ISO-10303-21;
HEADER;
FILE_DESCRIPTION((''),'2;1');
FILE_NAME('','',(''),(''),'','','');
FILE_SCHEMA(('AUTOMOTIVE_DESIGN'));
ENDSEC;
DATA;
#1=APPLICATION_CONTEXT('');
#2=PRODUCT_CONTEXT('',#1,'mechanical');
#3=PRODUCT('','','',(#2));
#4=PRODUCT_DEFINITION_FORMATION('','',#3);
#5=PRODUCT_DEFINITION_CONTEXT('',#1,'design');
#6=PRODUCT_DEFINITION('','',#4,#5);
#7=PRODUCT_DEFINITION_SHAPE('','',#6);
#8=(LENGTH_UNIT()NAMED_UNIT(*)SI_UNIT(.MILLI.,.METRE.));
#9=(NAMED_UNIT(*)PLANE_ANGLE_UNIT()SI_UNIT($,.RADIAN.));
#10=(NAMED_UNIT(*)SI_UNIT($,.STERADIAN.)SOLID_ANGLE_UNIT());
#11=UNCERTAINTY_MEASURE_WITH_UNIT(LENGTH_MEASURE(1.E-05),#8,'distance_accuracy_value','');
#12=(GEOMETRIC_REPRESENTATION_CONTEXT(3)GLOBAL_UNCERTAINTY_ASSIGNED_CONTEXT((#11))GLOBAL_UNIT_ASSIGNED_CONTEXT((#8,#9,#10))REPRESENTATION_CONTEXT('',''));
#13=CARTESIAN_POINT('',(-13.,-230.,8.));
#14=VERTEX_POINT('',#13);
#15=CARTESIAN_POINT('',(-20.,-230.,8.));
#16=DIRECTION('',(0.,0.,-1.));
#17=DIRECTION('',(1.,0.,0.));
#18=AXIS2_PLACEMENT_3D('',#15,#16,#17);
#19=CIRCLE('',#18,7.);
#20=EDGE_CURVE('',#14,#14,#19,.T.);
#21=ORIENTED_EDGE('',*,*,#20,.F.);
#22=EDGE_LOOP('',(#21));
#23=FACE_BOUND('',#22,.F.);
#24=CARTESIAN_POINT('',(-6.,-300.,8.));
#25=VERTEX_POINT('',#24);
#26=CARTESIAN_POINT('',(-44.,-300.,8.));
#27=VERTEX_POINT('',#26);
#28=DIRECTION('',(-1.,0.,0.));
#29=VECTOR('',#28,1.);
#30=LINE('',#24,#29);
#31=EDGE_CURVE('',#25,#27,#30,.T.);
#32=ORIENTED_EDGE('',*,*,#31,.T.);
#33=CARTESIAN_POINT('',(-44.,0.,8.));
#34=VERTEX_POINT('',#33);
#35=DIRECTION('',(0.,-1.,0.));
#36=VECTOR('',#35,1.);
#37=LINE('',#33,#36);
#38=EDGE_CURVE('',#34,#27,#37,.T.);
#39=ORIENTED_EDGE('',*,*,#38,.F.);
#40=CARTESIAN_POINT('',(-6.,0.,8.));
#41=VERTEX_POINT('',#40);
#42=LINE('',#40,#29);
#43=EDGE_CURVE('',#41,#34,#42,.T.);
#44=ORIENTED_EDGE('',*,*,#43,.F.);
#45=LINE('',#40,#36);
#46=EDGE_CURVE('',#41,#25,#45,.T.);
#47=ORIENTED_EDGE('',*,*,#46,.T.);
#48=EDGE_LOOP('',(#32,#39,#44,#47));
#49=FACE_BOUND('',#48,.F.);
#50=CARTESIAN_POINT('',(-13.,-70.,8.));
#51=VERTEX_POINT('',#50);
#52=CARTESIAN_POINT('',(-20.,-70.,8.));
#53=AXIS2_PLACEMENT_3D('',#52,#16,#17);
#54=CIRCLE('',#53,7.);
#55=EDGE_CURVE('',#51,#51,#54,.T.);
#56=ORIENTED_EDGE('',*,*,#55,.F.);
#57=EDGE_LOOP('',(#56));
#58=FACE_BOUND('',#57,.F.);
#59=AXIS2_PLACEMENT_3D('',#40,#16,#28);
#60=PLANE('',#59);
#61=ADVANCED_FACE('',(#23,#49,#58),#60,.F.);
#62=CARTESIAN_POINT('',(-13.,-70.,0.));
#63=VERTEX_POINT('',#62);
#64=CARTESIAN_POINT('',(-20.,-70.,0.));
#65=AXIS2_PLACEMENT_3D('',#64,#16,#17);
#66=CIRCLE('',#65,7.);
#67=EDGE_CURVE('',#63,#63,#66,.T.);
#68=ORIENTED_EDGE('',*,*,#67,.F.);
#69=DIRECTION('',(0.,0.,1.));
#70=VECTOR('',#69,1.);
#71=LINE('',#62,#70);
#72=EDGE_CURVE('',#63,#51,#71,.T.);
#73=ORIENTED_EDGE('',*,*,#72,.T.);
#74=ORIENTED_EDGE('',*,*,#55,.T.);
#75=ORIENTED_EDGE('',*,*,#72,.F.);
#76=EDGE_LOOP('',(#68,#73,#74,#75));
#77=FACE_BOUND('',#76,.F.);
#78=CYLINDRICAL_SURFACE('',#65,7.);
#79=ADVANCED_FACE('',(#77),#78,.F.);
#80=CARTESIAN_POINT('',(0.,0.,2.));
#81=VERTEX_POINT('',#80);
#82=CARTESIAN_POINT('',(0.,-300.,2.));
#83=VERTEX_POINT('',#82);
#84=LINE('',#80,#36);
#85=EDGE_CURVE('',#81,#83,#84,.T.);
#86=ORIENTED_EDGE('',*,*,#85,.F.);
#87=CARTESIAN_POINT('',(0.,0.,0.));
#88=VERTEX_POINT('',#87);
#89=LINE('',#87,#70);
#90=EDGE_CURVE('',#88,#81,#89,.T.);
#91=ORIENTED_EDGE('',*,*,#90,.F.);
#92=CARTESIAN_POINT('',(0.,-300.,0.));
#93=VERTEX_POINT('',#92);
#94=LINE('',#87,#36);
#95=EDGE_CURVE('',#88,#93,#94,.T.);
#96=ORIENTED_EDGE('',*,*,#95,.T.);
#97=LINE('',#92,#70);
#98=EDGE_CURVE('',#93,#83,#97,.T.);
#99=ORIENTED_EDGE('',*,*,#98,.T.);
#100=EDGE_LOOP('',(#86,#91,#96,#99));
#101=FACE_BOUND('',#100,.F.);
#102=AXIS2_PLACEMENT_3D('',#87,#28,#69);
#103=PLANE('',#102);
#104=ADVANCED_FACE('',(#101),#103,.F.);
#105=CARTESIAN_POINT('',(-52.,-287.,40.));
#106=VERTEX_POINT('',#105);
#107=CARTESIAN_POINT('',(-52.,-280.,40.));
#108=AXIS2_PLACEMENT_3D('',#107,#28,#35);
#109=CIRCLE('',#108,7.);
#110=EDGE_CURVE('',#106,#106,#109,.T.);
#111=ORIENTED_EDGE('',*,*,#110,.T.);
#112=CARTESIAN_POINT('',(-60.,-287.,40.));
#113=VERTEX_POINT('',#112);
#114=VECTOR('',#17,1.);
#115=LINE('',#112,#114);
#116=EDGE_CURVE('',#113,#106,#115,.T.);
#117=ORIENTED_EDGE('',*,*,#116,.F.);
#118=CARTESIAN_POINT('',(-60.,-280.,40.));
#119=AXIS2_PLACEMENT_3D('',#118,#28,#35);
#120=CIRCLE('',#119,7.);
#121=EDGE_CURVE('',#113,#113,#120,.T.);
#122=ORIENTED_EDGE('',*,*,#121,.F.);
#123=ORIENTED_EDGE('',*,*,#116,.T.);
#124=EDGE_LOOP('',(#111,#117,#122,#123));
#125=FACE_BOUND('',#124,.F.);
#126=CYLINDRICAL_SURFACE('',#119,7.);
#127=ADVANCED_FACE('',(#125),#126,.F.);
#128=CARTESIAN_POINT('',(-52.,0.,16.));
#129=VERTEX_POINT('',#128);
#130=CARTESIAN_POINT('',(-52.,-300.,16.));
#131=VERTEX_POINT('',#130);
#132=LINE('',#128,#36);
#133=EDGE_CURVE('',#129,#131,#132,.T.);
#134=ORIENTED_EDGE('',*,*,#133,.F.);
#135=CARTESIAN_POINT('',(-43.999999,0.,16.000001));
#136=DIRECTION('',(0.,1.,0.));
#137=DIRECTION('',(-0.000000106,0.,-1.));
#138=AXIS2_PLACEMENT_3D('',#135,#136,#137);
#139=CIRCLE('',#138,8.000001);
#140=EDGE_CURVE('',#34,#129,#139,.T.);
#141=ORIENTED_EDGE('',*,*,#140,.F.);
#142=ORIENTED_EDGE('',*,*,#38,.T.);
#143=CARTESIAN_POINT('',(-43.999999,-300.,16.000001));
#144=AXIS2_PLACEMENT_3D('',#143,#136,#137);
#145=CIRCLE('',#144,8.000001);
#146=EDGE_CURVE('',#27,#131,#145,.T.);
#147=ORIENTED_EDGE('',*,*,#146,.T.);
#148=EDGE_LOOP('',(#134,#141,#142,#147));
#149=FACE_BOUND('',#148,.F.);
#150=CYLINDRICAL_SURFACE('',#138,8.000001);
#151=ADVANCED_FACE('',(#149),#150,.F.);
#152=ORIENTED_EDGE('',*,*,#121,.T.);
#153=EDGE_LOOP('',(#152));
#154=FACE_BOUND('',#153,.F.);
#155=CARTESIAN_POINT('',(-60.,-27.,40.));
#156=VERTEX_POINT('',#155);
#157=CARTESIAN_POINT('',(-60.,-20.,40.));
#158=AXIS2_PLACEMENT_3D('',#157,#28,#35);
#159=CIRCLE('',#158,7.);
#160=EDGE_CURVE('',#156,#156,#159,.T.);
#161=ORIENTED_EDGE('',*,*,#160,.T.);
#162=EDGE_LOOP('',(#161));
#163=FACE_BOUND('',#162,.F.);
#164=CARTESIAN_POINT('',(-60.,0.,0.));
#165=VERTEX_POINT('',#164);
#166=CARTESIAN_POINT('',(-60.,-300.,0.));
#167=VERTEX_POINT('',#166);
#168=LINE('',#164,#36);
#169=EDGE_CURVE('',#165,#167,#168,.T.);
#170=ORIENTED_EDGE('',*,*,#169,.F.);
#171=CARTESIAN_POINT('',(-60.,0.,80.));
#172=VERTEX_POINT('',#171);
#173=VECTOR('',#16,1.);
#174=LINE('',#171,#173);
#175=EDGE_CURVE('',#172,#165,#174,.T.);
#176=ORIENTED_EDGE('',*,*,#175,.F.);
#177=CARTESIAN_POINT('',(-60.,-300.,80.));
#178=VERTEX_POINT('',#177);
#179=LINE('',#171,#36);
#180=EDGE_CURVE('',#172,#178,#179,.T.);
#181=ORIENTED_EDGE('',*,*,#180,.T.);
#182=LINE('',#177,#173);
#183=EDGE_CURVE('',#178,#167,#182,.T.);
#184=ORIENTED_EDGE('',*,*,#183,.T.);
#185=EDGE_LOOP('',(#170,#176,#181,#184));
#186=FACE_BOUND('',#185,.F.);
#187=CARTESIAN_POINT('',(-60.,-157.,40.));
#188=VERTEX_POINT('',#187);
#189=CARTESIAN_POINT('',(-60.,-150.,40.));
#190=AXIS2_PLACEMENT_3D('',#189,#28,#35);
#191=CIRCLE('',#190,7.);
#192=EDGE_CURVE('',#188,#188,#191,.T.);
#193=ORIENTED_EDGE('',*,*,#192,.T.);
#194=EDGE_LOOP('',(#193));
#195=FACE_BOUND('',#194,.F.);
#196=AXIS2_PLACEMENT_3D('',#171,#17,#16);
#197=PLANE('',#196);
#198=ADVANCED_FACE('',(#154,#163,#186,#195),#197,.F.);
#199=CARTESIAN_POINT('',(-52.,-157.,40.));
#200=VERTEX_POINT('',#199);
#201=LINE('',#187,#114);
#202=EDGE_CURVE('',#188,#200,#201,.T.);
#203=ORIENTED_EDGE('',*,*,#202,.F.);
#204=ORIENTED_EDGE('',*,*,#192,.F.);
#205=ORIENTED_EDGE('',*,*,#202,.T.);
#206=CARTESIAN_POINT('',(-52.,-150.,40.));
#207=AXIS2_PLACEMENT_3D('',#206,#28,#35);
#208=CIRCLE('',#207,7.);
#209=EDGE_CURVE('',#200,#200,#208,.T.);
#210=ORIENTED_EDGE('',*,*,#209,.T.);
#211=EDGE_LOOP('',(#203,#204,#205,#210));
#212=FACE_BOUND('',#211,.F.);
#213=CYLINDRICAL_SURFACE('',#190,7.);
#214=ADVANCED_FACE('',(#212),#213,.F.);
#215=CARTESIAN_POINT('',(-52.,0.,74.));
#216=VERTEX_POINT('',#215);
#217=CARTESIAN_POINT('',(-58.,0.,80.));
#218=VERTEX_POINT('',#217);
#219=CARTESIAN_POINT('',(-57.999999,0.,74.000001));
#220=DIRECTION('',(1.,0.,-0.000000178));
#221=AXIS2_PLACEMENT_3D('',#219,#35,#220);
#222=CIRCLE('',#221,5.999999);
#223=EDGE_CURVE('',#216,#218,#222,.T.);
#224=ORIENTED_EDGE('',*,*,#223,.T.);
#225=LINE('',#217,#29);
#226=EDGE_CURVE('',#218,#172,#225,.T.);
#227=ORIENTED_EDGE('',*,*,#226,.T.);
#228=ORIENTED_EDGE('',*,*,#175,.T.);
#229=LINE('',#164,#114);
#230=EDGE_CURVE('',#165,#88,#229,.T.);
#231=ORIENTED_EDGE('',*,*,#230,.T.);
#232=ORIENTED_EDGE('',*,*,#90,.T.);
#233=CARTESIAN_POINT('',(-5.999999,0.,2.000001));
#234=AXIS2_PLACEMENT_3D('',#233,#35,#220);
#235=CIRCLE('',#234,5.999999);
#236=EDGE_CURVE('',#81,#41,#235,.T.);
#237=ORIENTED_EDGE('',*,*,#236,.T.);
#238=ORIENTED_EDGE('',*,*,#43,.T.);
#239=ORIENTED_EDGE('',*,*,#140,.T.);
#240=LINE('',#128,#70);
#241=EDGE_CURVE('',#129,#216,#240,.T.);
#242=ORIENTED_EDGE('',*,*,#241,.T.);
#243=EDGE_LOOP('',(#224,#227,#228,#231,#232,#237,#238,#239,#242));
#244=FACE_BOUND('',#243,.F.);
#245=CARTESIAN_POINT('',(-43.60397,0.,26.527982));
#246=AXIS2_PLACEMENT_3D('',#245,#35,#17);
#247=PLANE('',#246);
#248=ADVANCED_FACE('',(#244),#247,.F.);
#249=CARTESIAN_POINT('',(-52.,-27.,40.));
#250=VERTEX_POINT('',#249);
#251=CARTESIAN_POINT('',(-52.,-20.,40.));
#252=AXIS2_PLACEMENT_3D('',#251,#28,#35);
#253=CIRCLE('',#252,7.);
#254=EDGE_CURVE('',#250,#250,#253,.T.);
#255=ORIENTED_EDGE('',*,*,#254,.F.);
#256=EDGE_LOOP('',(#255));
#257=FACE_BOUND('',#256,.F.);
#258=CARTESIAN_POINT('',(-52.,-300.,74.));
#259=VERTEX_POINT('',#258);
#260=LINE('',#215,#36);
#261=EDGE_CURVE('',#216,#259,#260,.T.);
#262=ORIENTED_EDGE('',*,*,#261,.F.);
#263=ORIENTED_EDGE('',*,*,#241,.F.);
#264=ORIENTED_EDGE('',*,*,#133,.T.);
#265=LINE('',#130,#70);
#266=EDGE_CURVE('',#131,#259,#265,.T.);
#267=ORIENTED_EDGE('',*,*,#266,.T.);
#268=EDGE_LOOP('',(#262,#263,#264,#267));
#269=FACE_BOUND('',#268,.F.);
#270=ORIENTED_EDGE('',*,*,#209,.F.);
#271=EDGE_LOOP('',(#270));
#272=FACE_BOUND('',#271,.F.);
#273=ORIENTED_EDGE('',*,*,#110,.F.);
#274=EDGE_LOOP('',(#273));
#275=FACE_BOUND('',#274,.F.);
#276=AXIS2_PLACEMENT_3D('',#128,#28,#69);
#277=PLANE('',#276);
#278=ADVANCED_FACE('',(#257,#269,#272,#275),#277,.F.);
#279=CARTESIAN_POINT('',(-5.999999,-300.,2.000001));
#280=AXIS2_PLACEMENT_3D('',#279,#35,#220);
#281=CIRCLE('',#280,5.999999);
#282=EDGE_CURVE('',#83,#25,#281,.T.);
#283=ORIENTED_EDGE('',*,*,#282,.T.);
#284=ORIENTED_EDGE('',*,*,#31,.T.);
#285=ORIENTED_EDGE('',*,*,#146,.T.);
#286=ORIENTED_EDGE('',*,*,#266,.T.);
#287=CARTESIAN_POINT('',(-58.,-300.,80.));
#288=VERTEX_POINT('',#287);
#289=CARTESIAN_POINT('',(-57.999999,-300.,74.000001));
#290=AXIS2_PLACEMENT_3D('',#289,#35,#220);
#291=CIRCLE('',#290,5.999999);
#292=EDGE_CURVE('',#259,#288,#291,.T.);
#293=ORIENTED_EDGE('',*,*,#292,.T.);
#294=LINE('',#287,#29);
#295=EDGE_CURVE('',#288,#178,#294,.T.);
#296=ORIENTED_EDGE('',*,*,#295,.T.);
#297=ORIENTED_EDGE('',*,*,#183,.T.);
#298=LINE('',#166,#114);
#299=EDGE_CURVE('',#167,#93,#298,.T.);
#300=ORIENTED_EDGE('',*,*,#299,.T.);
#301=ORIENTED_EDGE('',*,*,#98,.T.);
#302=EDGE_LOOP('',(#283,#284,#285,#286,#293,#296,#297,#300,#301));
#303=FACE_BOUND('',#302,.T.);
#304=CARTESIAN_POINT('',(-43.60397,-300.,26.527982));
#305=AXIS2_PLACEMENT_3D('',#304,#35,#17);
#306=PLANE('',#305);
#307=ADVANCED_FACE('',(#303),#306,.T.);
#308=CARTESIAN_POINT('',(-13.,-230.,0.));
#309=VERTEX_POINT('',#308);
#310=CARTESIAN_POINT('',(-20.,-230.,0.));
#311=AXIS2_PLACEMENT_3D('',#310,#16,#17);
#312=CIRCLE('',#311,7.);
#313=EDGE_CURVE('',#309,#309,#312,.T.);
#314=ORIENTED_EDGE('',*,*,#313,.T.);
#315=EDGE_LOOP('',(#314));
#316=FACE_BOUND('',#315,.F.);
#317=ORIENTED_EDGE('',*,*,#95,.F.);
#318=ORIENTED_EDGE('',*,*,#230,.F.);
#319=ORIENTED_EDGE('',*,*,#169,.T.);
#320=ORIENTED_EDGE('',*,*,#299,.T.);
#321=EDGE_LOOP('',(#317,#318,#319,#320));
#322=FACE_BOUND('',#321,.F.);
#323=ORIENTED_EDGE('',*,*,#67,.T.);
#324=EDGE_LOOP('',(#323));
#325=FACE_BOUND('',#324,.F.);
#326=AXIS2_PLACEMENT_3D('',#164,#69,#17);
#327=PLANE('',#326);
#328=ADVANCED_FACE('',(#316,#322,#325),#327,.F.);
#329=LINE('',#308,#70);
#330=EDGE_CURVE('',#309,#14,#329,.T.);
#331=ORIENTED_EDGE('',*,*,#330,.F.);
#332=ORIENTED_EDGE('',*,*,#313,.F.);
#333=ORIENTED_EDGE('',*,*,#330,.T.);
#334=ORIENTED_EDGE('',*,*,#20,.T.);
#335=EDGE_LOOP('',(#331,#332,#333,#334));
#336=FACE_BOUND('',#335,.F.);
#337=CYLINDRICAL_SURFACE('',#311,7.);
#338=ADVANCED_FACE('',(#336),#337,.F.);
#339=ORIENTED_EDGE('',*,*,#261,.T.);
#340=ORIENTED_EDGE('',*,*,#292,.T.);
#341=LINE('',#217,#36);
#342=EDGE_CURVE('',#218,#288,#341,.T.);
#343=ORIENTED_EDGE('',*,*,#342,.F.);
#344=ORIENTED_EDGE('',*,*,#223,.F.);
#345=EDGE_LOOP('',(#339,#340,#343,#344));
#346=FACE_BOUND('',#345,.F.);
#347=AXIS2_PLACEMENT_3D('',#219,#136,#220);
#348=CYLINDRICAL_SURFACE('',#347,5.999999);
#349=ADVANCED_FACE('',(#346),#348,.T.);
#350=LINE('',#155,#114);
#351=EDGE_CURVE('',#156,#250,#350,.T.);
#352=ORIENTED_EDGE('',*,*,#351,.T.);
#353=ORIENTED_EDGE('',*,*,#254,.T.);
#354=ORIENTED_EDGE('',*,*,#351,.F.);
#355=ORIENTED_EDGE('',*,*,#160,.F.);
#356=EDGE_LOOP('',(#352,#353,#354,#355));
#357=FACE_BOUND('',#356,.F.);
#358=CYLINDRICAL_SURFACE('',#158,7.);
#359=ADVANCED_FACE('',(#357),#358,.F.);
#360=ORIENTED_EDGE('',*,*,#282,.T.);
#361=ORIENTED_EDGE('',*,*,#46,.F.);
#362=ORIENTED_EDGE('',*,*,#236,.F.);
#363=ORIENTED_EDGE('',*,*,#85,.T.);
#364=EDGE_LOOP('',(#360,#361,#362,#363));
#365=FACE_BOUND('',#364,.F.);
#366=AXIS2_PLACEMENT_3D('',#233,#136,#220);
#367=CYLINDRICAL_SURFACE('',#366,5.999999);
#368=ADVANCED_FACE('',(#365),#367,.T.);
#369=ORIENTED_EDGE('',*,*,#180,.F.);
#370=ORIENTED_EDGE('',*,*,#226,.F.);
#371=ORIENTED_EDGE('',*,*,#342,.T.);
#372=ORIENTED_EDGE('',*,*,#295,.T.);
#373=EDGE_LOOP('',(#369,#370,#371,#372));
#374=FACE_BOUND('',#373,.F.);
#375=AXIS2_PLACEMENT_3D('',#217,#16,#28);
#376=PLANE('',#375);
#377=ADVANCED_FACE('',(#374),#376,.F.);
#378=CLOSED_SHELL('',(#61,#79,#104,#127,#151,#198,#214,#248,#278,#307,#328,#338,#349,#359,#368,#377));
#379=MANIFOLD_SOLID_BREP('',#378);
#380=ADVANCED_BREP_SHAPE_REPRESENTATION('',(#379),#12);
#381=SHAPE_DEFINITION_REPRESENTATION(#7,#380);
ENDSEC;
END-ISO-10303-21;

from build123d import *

# Parameters (mm, degrees)
F1_DEPTH = 300
F2_R     = 7
F3_DEPTH = 25
F4_R     = 7
F5_DEPTH = 25


with BuildPart() as f1:
    # F0 (on Front) → F1 (new body)
    with BuildSketch(Plane.XZ):
        with BuildLine():
            Line((-60, 0), (0, 0))
            Line((0, 0), (0, 2))
            ThreePointArc((0, 2), (-1.757359, 6.242641), (-6, 8))
            Line((-6, 8), (-44, 8))
            ThreePointArc((-44, 8), (-49.656854, 10.343146), (-52, 16))
            Line((-52, 16), (-52, 74))
            ThreePointArc((-52, 74), (-53.757359, 78.242641), (-58, 80))
            Line((-58, 80), (-60, 80))
            Line((-60, 80), (-60, 0))
        make_face()
    extrude(amount=F1_DEPTH)

    # F2 (on face) → F3 (cut)
    with BuildSketch(Plane(origin=(-60, 0, 0), x_dir=(0, -1, 0), z_dir=(-1, 0, 0))):
        with Locations((20, 40)):
            Circle(F2_R)
        with Locations((150, 40)):
            Circle(F2_R)
        with Locations((280, 40)):
            Circle(F2_R)
    extrude(amount=-F3_DEPTH, mode=Mode.SUBTRACT)

    # F4 (on face) → F5 (cut)
    with BuildSketch(Plane(origin=(0, 0, 0), x_dir=(1, 0, 0), z_dir=(0, 0, -1))):
        with Locations((-20, 70)):
            Circle(F4_R)
        with Locations((-20, 230)):
            Circle(F4_R)
    extrude(amount=-F5_DEPTH, mode=Mode.SUBTRACT)


solid = f1.part
